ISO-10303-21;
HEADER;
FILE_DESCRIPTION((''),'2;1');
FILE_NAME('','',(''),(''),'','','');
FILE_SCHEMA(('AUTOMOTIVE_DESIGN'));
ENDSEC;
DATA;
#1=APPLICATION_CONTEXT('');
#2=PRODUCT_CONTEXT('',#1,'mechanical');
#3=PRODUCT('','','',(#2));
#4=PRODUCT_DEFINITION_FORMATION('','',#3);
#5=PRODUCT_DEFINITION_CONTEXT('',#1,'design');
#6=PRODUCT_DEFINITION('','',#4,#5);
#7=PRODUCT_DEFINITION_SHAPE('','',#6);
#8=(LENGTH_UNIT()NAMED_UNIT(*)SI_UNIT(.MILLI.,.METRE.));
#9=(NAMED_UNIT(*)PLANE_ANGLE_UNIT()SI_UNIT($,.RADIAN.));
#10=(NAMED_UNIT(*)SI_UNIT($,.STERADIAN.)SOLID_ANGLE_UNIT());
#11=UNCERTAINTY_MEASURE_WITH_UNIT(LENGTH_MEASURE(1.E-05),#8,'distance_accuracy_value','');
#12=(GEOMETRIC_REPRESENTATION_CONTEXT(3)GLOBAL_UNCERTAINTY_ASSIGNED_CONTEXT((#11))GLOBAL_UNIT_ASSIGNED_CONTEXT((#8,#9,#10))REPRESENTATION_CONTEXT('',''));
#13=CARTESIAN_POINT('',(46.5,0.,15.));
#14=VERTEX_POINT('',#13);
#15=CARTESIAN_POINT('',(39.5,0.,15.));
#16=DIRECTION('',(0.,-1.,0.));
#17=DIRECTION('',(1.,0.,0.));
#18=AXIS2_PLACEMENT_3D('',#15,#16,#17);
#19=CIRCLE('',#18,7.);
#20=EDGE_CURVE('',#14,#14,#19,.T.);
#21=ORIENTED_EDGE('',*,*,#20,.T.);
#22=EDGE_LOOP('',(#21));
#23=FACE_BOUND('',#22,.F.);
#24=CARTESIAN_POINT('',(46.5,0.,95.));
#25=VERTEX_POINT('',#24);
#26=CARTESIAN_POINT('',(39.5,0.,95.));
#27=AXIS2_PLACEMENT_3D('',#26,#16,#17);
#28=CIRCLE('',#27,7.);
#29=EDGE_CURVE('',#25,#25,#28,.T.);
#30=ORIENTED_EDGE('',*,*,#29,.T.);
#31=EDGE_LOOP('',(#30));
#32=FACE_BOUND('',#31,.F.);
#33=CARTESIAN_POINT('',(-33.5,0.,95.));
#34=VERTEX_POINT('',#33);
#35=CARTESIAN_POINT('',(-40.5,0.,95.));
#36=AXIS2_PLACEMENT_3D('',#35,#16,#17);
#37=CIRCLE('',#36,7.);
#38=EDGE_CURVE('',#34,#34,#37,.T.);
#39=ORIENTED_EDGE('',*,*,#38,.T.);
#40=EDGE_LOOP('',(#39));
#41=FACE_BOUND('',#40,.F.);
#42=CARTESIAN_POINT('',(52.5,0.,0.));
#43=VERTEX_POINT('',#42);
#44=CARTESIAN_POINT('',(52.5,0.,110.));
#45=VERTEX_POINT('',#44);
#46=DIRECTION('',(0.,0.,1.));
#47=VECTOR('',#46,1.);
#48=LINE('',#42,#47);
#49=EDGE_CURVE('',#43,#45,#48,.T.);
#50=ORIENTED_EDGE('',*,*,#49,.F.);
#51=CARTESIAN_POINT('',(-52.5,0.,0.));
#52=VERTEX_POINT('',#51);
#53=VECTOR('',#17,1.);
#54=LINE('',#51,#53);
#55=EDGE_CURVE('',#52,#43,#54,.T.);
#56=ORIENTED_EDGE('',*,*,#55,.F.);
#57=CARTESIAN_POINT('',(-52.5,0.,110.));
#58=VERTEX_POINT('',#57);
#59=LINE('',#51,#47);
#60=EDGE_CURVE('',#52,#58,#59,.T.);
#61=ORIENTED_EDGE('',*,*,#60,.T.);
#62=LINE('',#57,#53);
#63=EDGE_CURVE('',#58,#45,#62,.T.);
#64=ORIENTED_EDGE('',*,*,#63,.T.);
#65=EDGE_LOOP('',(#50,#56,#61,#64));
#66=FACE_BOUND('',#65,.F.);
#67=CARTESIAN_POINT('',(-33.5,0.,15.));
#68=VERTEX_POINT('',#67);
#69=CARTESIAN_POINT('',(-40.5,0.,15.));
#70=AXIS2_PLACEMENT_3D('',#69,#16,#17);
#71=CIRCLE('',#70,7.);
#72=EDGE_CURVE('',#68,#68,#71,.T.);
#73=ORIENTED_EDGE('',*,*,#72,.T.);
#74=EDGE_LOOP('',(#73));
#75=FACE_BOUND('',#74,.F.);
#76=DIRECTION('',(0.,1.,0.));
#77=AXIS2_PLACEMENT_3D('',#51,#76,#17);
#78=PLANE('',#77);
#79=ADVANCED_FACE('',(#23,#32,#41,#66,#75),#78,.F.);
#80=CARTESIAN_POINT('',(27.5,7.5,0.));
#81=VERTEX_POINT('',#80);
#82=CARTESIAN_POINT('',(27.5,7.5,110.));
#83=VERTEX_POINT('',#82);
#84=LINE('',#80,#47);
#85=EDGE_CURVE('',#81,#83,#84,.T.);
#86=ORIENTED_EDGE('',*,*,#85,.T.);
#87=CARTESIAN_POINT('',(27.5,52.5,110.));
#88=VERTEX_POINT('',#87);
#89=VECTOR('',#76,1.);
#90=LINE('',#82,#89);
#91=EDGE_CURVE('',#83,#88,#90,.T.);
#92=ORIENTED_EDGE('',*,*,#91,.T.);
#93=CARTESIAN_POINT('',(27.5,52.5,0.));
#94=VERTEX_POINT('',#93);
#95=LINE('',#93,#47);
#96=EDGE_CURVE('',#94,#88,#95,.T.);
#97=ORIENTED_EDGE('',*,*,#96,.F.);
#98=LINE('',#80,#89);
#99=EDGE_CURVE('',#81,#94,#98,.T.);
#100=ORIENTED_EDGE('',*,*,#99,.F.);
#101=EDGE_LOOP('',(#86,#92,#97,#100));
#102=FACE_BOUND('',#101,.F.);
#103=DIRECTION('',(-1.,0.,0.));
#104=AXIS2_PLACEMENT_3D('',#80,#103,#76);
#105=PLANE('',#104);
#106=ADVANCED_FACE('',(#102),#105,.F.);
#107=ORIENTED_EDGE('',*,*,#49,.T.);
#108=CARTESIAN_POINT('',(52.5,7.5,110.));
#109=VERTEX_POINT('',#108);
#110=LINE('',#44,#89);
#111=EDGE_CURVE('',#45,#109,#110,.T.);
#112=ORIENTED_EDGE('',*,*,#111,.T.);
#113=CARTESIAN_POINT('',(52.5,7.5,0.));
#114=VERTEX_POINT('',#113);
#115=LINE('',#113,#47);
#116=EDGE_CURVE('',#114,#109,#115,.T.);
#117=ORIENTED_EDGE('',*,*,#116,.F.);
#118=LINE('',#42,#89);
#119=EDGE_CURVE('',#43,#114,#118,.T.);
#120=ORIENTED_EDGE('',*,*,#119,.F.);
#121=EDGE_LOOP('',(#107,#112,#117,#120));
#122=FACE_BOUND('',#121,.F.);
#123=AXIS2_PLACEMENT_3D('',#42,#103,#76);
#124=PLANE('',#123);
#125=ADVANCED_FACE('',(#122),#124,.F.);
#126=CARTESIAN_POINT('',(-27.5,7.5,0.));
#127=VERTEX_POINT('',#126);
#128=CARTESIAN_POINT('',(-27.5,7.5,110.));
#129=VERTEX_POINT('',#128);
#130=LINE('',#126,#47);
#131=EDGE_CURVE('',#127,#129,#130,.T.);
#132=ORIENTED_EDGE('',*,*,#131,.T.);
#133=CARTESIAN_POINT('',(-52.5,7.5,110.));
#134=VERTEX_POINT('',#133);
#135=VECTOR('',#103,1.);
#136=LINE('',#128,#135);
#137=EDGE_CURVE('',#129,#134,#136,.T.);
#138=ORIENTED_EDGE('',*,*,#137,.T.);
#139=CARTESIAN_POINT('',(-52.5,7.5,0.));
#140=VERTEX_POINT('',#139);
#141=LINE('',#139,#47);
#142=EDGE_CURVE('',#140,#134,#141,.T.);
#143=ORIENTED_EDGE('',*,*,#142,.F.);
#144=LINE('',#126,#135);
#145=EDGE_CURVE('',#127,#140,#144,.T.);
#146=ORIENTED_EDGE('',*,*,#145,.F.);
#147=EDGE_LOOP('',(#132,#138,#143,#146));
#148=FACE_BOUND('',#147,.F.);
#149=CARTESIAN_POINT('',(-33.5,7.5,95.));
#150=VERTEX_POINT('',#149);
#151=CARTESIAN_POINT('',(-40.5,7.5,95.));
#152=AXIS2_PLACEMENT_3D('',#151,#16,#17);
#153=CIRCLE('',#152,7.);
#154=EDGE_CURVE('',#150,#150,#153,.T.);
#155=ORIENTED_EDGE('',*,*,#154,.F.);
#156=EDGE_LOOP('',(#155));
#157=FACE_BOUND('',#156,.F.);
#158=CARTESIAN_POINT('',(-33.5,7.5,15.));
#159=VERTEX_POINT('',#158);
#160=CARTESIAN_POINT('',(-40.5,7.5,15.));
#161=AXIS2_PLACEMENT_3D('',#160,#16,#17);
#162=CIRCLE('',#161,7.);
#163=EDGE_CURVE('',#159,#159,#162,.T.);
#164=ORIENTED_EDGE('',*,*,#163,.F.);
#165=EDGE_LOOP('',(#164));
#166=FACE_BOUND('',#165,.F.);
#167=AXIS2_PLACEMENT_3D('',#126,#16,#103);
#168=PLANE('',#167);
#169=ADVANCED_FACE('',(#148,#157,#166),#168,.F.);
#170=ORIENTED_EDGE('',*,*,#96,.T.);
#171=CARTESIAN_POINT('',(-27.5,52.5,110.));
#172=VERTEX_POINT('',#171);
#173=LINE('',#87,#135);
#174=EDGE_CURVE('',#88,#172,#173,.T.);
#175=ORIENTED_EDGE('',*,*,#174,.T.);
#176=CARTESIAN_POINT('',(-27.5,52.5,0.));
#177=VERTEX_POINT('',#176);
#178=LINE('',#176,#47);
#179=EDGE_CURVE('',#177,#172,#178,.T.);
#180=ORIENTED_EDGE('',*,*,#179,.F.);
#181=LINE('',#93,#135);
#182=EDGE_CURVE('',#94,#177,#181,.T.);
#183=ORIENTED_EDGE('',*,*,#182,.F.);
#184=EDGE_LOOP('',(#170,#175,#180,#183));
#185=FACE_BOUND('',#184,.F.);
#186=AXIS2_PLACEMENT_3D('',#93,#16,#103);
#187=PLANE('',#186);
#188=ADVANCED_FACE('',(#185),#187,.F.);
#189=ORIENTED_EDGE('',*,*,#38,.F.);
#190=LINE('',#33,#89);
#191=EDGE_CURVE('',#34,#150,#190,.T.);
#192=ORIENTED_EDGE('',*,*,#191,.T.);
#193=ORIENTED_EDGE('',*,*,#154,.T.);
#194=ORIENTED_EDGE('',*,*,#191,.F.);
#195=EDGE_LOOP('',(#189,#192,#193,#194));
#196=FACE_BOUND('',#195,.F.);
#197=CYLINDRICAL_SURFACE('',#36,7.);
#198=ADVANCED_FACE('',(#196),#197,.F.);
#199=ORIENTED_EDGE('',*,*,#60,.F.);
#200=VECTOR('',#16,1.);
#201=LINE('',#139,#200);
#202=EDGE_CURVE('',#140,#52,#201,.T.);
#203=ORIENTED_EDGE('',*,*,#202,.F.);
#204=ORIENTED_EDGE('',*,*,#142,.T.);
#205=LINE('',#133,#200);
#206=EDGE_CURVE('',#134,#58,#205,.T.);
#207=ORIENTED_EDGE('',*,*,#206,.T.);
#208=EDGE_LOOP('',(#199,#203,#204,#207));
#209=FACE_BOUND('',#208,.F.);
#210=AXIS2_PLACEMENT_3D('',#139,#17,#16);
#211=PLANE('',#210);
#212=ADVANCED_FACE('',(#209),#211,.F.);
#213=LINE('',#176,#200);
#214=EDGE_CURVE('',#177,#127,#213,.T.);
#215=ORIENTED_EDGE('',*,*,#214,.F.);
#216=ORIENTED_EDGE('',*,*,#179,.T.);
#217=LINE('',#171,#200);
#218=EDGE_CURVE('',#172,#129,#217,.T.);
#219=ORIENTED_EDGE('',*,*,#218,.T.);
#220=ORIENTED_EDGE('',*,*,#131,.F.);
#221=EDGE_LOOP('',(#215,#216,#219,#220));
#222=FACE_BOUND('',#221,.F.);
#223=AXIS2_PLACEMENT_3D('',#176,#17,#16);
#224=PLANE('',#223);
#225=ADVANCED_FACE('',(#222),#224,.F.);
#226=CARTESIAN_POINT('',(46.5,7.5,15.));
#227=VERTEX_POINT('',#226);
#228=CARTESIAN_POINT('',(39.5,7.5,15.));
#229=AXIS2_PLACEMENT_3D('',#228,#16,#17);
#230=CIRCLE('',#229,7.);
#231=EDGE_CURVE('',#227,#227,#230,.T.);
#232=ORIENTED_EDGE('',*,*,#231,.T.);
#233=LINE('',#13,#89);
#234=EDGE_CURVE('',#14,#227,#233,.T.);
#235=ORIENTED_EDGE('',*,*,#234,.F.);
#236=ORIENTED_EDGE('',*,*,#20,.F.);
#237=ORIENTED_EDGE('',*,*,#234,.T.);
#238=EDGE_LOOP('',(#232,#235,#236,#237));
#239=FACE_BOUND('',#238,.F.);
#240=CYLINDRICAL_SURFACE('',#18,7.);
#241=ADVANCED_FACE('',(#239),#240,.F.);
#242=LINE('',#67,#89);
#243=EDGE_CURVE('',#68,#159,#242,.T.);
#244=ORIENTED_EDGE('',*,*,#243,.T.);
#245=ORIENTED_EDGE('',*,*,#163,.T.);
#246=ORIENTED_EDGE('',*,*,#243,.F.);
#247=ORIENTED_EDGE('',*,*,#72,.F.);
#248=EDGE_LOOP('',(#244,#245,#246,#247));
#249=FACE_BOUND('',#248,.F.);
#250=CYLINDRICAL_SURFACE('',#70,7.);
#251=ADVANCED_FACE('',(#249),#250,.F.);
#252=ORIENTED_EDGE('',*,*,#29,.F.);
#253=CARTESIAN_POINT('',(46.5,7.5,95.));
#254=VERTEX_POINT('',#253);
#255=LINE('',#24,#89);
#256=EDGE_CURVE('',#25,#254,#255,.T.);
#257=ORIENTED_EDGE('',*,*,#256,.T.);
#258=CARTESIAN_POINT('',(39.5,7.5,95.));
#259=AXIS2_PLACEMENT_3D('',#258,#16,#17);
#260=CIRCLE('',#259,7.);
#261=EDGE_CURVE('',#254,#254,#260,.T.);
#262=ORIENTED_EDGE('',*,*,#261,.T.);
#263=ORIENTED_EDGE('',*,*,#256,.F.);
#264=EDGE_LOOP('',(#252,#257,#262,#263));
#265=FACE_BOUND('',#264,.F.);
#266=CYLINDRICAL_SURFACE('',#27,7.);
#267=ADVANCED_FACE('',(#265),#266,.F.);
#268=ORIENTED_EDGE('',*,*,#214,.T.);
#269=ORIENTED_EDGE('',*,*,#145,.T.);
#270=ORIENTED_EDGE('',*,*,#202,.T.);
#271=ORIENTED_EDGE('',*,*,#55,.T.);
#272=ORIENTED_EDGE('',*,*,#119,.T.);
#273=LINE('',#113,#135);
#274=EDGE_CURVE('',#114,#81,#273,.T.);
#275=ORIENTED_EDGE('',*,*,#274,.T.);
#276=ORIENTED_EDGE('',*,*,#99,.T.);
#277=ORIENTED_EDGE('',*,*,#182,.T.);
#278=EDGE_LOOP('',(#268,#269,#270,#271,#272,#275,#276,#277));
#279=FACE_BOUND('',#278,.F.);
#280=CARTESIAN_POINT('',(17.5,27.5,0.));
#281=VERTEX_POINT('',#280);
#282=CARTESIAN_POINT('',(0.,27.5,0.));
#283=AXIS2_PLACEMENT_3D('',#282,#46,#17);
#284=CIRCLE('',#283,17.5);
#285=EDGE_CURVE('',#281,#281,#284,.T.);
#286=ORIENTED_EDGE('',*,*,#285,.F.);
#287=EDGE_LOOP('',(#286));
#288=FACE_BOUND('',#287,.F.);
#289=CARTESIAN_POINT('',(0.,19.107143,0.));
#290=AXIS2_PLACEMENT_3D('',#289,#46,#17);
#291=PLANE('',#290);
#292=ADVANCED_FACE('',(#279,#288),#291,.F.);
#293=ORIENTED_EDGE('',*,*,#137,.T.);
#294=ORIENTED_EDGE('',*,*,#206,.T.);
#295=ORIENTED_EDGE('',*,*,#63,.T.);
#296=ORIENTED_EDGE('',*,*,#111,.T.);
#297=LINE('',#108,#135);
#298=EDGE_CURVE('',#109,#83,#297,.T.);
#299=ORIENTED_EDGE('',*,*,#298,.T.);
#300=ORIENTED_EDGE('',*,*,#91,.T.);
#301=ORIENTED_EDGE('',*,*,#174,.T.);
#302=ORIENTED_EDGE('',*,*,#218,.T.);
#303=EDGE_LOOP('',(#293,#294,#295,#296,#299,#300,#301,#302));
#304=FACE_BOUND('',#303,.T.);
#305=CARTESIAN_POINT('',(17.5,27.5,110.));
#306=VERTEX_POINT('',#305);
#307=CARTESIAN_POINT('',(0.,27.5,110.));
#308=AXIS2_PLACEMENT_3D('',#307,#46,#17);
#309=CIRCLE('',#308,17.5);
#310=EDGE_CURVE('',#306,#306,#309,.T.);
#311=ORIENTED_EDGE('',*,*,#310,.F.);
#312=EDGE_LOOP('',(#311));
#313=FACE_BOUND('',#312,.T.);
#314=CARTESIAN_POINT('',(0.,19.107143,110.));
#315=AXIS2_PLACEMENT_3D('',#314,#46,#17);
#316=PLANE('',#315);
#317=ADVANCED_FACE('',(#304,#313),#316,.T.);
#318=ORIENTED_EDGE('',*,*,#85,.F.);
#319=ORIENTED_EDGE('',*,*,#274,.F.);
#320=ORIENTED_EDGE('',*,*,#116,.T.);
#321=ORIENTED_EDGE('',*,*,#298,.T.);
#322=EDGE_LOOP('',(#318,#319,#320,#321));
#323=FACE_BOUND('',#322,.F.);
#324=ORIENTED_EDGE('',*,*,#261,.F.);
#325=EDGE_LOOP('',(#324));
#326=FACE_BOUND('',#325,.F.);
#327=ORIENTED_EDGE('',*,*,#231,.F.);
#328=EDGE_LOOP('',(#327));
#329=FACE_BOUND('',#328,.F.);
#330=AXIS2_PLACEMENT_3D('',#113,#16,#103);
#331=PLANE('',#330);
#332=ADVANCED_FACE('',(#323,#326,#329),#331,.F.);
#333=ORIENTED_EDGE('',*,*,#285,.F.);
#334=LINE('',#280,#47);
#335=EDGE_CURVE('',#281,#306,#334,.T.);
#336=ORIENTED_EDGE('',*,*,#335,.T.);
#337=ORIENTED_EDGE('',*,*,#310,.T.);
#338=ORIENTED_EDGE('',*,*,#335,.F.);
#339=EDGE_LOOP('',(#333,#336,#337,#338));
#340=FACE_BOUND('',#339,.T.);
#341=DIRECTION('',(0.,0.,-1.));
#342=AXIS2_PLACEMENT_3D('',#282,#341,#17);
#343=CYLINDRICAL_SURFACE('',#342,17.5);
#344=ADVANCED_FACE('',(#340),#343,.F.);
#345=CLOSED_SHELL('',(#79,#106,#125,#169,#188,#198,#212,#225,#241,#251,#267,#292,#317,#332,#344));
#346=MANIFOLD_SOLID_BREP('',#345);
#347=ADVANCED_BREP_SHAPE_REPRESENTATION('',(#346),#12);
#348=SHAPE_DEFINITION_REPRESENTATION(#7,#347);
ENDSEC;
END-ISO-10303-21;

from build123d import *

# Parameters (mm, degrees)
F0_R     = 17.5
F1_DEPTH = 110
F2_R     = 7
F3_DEPTH = 25


with BuildPart() as f1:
    # F0 (on Top) → F1 (new body)
    with BuildSketch(Plane.XY):
        Polygon((-52.5, 7.5), (-52.5, 0), (0, 0), (52.5, 0), (52.5, 7.5), (27.5, 7.5), (27.5, 52.5), (0, 52.5), (-27.5, 52.5), (-27.5, 7.5), align=None)
        with Locations((0, 27.5)):
            Circle(F0_R, mode=Mode.SUBTRACT)
    extrude(amount=F1_DEPTH)

    # F2 (on face) → F3 (cut)
    with BuildSketch(Plane.XZ):
        with Locations((-40.5, 95)):
            Circle(F2_R)
        with Locations((39.5, 95)):
            Circle(F2_R)
        with Locations((-40.5, 15)):
            Circle(F2_R)
        with Locations((39.5, 15)):
            Circle(F2_R)
    extrude(amount=-F3_DEPTH, mode=Mode.SUBTRACT)


solid = f1.part
